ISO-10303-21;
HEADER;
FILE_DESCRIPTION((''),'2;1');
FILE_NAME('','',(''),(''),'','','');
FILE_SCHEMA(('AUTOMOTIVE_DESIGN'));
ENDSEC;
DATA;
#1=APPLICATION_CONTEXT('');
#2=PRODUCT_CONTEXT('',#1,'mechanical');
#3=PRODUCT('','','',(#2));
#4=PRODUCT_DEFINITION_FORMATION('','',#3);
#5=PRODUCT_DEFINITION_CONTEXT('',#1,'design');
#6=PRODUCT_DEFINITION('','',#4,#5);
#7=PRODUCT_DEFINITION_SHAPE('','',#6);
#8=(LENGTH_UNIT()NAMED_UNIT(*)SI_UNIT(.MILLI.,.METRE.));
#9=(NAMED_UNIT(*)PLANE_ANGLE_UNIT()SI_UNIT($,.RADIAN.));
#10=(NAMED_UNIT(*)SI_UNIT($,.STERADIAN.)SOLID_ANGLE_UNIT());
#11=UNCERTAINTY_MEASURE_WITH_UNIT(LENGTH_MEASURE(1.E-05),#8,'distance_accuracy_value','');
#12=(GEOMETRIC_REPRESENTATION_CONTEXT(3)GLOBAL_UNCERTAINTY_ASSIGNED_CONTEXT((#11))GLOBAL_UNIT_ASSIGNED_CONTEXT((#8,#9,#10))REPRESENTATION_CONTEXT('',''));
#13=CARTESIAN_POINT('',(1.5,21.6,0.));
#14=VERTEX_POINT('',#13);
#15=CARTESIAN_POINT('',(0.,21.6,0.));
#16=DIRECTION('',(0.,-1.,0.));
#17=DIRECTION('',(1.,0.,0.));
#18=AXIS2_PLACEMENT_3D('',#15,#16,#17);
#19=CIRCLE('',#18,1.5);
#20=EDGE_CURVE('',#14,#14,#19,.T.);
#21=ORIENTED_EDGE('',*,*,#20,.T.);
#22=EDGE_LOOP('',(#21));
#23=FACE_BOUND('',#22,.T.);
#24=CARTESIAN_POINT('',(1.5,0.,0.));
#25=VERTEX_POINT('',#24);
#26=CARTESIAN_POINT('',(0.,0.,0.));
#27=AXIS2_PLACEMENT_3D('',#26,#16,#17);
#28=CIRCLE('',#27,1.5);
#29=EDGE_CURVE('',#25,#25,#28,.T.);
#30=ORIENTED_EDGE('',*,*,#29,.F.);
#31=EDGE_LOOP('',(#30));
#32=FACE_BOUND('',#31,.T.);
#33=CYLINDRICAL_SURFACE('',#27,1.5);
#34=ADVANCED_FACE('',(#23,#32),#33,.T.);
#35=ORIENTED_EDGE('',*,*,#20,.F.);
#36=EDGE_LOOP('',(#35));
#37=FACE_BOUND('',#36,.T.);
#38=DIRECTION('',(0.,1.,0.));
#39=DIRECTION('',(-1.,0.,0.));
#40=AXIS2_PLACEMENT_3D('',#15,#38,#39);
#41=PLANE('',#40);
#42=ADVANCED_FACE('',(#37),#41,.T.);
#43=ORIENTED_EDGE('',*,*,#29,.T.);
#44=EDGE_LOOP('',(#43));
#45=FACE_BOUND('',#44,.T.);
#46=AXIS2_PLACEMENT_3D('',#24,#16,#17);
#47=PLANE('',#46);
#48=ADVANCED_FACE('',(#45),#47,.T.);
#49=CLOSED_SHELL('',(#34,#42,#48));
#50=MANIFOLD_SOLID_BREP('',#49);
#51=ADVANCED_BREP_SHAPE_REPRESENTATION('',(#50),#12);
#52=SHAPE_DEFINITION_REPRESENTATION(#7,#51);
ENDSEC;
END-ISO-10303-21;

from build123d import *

# Parameters (mm, degrees)
ESBO_O1_W = 1.5
ESBO_O1_H = 21.6


with BuildPart() as part:
    # Esboço1 → Revolução1 (revolve)
    with BuildSketch(Plane.XY):
        with Locations((0.75, 10.8)):
            Rectangle(ESBO_O1_W, ESBO_O1_H)
    revolve(axis=Axis((0, 0, 0), (0, 1, 0)))


solid = part.part
